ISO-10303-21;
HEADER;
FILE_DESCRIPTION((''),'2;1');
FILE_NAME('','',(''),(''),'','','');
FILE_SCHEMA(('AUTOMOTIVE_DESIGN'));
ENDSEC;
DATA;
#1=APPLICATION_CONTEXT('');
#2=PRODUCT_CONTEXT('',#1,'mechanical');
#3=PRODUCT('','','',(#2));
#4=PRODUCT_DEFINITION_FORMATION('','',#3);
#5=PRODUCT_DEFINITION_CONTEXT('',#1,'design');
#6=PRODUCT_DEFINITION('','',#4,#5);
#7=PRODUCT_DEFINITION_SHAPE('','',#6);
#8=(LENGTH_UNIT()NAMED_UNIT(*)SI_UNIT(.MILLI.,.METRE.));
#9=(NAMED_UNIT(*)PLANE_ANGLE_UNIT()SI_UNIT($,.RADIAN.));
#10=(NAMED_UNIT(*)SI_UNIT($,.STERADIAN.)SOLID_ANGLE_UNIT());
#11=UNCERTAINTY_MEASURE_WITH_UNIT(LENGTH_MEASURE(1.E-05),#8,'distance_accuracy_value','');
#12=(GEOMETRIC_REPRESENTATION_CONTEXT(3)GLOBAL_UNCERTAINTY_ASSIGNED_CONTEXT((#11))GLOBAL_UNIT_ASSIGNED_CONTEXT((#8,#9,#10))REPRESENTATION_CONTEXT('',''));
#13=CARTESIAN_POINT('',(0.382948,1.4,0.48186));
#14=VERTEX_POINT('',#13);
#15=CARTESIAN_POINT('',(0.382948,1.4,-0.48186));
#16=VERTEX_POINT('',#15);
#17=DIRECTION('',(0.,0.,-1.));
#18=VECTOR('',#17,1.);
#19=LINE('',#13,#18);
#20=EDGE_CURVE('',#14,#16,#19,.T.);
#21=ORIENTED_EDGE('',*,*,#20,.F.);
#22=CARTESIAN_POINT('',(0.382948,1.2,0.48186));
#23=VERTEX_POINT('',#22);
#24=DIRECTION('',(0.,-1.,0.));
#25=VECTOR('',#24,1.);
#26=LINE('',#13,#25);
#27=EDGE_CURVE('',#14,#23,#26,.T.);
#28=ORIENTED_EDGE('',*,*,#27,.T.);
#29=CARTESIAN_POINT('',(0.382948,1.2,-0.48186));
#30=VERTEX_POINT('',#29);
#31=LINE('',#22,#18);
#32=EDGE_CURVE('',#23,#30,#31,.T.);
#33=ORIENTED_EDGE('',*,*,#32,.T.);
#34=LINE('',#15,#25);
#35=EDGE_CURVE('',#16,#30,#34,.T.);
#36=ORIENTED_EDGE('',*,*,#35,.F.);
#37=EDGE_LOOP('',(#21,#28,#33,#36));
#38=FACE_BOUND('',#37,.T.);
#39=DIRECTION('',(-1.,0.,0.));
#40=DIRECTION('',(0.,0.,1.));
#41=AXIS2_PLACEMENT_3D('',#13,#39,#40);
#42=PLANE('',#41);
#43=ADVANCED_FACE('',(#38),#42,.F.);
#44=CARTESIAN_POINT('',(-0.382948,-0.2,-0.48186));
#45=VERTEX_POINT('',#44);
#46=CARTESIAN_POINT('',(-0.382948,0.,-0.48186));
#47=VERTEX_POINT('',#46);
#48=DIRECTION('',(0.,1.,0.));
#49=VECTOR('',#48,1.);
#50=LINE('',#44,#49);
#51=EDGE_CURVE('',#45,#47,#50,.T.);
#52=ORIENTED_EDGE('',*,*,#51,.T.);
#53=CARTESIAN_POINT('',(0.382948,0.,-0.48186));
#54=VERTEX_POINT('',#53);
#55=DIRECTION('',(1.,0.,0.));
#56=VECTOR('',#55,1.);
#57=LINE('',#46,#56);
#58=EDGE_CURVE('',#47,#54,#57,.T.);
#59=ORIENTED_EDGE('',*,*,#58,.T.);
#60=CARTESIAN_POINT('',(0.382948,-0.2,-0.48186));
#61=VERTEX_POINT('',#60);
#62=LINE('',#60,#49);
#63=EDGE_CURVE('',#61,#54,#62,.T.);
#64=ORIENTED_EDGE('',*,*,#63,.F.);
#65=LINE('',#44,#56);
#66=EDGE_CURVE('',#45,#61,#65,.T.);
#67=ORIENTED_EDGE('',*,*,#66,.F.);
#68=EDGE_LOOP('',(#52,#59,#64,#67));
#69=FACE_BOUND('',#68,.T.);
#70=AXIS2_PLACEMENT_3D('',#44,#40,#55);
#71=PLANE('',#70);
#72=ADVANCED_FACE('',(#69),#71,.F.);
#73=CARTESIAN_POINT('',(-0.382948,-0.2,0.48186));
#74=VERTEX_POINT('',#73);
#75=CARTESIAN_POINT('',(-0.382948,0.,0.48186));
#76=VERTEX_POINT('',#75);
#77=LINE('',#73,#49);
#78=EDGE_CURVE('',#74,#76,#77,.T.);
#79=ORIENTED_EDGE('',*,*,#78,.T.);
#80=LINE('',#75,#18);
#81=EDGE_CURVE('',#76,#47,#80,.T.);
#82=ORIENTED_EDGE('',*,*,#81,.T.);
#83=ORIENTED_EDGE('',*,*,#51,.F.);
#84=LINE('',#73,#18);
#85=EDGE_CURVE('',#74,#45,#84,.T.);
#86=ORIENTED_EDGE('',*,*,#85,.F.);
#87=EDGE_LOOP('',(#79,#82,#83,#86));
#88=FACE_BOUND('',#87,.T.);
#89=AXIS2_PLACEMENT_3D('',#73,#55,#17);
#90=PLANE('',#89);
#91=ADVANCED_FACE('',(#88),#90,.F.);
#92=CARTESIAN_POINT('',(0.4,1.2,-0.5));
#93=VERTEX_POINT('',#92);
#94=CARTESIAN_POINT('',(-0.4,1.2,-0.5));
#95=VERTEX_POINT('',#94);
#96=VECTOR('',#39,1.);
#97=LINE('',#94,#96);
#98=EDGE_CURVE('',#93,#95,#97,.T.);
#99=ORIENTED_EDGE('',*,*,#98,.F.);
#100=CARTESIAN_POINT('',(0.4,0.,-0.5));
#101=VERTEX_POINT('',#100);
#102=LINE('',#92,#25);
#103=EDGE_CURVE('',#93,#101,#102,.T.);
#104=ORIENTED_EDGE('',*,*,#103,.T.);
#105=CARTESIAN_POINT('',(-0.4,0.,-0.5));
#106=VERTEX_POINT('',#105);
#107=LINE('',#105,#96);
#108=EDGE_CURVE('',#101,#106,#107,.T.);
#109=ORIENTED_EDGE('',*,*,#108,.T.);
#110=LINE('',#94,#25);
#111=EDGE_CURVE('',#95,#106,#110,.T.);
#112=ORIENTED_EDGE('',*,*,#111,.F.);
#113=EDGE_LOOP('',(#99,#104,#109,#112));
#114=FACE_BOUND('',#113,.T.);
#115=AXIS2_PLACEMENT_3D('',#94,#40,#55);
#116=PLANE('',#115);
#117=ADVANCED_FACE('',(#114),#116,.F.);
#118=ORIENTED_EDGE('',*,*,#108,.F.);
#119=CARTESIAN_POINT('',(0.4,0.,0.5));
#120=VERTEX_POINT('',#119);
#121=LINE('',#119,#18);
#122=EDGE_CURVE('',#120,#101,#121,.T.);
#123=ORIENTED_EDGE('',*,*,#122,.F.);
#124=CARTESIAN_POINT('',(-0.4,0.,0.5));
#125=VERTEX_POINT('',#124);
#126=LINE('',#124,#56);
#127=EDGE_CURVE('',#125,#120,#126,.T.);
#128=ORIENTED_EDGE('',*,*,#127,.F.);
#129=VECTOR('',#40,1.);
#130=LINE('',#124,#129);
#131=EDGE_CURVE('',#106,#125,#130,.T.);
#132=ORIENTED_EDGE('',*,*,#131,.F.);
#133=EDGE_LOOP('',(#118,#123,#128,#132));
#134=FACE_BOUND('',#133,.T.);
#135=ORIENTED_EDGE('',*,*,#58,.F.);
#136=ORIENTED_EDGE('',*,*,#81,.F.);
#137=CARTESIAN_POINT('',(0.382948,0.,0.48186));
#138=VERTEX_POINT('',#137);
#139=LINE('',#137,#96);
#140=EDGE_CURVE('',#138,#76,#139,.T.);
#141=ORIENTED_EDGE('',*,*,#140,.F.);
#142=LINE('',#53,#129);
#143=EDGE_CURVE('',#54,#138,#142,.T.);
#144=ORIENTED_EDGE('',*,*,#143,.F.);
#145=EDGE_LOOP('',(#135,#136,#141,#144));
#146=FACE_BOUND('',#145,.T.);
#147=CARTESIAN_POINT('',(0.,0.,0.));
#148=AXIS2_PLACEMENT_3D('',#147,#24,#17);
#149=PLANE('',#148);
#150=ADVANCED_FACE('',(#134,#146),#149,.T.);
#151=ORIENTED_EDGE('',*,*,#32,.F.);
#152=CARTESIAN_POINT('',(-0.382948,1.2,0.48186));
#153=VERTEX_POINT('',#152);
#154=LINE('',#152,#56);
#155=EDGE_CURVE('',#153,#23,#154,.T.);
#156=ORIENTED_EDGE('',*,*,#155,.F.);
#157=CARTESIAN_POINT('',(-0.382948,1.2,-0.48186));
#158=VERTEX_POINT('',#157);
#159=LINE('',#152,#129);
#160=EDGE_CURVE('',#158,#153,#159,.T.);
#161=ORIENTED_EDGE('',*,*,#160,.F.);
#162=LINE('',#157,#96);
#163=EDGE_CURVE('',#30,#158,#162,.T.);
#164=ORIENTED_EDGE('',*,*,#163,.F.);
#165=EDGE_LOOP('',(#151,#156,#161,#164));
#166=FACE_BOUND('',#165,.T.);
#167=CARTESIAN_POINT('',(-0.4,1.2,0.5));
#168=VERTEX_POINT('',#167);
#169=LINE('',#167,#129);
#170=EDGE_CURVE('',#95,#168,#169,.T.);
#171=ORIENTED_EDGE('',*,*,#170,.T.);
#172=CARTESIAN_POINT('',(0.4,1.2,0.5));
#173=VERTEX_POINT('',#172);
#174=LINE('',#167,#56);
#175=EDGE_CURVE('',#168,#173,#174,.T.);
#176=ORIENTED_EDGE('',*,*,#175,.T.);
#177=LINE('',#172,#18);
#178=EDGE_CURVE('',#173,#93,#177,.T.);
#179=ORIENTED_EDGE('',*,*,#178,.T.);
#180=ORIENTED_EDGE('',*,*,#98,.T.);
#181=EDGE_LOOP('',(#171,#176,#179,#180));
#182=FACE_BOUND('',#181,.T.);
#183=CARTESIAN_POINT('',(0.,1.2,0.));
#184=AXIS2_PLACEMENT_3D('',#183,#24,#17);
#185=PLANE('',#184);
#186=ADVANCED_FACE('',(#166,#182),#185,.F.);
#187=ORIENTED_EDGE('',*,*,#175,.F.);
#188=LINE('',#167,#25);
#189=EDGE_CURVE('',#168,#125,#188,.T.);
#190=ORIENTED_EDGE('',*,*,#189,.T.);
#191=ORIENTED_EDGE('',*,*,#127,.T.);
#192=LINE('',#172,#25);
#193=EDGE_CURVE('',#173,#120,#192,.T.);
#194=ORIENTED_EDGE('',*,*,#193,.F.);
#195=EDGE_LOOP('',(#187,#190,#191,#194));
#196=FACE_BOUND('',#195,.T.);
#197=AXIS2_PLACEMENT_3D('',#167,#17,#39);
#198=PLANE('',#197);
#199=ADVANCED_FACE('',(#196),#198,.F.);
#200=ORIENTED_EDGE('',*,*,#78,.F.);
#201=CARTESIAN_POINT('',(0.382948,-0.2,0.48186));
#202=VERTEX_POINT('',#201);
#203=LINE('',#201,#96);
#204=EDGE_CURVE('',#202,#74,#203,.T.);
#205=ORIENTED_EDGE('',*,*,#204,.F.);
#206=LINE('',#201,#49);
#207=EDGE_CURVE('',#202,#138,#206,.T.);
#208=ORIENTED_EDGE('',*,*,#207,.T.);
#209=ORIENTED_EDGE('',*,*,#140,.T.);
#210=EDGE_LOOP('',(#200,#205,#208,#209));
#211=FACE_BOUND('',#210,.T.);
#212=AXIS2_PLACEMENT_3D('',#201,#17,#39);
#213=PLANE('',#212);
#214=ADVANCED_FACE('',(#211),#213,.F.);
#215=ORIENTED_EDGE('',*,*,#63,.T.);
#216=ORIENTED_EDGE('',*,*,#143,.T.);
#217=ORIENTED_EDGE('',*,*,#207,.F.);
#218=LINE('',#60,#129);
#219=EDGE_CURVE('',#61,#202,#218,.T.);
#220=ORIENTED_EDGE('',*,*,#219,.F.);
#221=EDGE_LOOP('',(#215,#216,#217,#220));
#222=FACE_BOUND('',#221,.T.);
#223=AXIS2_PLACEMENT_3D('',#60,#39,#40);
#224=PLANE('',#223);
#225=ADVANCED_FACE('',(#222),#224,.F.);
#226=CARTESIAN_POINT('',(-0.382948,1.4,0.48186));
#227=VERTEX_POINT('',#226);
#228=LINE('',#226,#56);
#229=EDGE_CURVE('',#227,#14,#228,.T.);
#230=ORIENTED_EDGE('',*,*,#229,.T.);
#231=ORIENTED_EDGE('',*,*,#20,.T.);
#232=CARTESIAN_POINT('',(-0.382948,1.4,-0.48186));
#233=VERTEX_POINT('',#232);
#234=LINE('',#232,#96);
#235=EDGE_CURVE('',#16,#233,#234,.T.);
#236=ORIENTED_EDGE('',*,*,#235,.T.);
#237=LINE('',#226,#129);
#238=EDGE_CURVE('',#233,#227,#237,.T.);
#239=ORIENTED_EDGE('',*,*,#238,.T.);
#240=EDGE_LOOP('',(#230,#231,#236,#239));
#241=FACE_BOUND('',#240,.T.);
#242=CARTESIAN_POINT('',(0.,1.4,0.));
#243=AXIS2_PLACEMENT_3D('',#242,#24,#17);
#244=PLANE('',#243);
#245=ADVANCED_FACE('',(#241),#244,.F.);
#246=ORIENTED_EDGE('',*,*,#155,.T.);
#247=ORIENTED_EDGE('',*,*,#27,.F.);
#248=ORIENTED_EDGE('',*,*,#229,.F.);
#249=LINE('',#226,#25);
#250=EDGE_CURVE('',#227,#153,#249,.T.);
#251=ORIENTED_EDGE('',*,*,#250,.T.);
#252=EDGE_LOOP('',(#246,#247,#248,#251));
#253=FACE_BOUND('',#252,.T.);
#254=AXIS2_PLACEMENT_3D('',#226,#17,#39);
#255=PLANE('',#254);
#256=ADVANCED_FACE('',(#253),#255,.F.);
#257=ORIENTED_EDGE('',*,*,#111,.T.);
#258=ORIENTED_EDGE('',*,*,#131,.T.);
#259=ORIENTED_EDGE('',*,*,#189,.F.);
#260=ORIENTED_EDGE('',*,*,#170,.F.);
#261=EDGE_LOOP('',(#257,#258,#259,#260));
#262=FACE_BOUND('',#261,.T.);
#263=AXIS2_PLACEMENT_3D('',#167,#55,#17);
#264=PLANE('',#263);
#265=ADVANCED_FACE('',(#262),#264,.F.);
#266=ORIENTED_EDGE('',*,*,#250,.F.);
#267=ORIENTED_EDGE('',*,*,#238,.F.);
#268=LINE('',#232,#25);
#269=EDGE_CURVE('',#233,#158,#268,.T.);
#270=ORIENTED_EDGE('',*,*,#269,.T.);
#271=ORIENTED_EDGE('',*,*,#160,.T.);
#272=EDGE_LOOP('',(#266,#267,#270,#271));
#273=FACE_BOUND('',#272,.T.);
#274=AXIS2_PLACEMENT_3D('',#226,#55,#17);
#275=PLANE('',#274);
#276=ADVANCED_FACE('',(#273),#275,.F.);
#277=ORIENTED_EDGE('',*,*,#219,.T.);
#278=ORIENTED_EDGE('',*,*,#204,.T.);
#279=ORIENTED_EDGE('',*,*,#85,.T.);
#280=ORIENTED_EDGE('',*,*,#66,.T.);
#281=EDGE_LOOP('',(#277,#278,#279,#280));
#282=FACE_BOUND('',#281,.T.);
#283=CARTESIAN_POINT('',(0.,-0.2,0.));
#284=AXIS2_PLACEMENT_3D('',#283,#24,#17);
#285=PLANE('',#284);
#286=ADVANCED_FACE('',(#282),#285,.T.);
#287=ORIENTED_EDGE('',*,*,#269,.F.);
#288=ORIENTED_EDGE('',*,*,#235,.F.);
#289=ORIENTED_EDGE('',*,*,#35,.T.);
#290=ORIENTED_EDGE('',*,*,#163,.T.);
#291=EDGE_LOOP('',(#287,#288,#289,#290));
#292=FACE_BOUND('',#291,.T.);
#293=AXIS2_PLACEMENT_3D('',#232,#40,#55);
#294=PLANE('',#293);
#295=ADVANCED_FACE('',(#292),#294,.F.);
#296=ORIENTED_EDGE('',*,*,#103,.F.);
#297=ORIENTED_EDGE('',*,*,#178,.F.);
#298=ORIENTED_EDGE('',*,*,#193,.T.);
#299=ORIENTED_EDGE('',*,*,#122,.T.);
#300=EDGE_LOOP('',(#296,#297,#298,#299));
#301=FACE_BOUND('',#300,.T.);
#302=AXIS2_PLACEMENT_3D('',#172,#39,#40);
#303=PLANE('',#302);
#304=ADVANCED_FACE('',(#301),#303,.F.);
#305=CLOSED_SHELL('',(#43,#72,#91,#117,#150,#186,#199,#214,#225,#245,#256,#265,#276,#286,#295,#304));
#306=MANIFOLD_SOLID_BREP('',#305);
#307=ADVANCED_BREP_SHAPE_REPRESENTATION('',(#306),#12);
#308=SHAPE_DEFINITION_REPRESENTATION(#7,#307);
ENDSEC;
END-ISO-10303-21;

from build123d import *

# Parameters (mm, degrees)
SKETCH1_W           = 0.8
SKETCH1_H           = 1
BOSS_EXTRUDE1_DEPTH = 1.2
SKETCH2_W           = 0.765895346
SKETCH2_H           = 0.963720624
BOSS_EXTRUDE2_DEPTH = 0.2
SKETCH3_W           = 0.765895346
SKETCH3_H           = 0.963720624
BOSS_EXTRUDE3_DEPTH = 0.2


with BuildPart() as part:
    # Sketch1 → Boss-Extrude1 (new body)
    with BuildSketch(Plane(origin=(0, 0, 0), x_dir=(1, 0, 0), z_dir=(0, 1, 0))):
        Rectangle(SKETCH1_W, SKETCH1_H)
    extrude(amount=BOSS_EXTRUDE1_DEPTH)

    # Sketch2 → Boss-Extrude2 (add)
    with BuildSketch(Plane(origin=(0, 1.2, 0), x_dir=(1, 0, 0), z_dir=(0, 1, 0))):
        Rectangle(SKETCH2_W, SKETCH2_H)
    extrude(amount=BOSS_EXTRUDE2_DEPTH)

    # Sketch3 → Boss-Extrude3 (add)
    with BuildSketch(Plane.XZ):
        Rectangle(SKETCH3_W, SKETCH3_H)
    extrude(amount=BOSS_EXTRUDE3_DEPTH)


solid = part.part
